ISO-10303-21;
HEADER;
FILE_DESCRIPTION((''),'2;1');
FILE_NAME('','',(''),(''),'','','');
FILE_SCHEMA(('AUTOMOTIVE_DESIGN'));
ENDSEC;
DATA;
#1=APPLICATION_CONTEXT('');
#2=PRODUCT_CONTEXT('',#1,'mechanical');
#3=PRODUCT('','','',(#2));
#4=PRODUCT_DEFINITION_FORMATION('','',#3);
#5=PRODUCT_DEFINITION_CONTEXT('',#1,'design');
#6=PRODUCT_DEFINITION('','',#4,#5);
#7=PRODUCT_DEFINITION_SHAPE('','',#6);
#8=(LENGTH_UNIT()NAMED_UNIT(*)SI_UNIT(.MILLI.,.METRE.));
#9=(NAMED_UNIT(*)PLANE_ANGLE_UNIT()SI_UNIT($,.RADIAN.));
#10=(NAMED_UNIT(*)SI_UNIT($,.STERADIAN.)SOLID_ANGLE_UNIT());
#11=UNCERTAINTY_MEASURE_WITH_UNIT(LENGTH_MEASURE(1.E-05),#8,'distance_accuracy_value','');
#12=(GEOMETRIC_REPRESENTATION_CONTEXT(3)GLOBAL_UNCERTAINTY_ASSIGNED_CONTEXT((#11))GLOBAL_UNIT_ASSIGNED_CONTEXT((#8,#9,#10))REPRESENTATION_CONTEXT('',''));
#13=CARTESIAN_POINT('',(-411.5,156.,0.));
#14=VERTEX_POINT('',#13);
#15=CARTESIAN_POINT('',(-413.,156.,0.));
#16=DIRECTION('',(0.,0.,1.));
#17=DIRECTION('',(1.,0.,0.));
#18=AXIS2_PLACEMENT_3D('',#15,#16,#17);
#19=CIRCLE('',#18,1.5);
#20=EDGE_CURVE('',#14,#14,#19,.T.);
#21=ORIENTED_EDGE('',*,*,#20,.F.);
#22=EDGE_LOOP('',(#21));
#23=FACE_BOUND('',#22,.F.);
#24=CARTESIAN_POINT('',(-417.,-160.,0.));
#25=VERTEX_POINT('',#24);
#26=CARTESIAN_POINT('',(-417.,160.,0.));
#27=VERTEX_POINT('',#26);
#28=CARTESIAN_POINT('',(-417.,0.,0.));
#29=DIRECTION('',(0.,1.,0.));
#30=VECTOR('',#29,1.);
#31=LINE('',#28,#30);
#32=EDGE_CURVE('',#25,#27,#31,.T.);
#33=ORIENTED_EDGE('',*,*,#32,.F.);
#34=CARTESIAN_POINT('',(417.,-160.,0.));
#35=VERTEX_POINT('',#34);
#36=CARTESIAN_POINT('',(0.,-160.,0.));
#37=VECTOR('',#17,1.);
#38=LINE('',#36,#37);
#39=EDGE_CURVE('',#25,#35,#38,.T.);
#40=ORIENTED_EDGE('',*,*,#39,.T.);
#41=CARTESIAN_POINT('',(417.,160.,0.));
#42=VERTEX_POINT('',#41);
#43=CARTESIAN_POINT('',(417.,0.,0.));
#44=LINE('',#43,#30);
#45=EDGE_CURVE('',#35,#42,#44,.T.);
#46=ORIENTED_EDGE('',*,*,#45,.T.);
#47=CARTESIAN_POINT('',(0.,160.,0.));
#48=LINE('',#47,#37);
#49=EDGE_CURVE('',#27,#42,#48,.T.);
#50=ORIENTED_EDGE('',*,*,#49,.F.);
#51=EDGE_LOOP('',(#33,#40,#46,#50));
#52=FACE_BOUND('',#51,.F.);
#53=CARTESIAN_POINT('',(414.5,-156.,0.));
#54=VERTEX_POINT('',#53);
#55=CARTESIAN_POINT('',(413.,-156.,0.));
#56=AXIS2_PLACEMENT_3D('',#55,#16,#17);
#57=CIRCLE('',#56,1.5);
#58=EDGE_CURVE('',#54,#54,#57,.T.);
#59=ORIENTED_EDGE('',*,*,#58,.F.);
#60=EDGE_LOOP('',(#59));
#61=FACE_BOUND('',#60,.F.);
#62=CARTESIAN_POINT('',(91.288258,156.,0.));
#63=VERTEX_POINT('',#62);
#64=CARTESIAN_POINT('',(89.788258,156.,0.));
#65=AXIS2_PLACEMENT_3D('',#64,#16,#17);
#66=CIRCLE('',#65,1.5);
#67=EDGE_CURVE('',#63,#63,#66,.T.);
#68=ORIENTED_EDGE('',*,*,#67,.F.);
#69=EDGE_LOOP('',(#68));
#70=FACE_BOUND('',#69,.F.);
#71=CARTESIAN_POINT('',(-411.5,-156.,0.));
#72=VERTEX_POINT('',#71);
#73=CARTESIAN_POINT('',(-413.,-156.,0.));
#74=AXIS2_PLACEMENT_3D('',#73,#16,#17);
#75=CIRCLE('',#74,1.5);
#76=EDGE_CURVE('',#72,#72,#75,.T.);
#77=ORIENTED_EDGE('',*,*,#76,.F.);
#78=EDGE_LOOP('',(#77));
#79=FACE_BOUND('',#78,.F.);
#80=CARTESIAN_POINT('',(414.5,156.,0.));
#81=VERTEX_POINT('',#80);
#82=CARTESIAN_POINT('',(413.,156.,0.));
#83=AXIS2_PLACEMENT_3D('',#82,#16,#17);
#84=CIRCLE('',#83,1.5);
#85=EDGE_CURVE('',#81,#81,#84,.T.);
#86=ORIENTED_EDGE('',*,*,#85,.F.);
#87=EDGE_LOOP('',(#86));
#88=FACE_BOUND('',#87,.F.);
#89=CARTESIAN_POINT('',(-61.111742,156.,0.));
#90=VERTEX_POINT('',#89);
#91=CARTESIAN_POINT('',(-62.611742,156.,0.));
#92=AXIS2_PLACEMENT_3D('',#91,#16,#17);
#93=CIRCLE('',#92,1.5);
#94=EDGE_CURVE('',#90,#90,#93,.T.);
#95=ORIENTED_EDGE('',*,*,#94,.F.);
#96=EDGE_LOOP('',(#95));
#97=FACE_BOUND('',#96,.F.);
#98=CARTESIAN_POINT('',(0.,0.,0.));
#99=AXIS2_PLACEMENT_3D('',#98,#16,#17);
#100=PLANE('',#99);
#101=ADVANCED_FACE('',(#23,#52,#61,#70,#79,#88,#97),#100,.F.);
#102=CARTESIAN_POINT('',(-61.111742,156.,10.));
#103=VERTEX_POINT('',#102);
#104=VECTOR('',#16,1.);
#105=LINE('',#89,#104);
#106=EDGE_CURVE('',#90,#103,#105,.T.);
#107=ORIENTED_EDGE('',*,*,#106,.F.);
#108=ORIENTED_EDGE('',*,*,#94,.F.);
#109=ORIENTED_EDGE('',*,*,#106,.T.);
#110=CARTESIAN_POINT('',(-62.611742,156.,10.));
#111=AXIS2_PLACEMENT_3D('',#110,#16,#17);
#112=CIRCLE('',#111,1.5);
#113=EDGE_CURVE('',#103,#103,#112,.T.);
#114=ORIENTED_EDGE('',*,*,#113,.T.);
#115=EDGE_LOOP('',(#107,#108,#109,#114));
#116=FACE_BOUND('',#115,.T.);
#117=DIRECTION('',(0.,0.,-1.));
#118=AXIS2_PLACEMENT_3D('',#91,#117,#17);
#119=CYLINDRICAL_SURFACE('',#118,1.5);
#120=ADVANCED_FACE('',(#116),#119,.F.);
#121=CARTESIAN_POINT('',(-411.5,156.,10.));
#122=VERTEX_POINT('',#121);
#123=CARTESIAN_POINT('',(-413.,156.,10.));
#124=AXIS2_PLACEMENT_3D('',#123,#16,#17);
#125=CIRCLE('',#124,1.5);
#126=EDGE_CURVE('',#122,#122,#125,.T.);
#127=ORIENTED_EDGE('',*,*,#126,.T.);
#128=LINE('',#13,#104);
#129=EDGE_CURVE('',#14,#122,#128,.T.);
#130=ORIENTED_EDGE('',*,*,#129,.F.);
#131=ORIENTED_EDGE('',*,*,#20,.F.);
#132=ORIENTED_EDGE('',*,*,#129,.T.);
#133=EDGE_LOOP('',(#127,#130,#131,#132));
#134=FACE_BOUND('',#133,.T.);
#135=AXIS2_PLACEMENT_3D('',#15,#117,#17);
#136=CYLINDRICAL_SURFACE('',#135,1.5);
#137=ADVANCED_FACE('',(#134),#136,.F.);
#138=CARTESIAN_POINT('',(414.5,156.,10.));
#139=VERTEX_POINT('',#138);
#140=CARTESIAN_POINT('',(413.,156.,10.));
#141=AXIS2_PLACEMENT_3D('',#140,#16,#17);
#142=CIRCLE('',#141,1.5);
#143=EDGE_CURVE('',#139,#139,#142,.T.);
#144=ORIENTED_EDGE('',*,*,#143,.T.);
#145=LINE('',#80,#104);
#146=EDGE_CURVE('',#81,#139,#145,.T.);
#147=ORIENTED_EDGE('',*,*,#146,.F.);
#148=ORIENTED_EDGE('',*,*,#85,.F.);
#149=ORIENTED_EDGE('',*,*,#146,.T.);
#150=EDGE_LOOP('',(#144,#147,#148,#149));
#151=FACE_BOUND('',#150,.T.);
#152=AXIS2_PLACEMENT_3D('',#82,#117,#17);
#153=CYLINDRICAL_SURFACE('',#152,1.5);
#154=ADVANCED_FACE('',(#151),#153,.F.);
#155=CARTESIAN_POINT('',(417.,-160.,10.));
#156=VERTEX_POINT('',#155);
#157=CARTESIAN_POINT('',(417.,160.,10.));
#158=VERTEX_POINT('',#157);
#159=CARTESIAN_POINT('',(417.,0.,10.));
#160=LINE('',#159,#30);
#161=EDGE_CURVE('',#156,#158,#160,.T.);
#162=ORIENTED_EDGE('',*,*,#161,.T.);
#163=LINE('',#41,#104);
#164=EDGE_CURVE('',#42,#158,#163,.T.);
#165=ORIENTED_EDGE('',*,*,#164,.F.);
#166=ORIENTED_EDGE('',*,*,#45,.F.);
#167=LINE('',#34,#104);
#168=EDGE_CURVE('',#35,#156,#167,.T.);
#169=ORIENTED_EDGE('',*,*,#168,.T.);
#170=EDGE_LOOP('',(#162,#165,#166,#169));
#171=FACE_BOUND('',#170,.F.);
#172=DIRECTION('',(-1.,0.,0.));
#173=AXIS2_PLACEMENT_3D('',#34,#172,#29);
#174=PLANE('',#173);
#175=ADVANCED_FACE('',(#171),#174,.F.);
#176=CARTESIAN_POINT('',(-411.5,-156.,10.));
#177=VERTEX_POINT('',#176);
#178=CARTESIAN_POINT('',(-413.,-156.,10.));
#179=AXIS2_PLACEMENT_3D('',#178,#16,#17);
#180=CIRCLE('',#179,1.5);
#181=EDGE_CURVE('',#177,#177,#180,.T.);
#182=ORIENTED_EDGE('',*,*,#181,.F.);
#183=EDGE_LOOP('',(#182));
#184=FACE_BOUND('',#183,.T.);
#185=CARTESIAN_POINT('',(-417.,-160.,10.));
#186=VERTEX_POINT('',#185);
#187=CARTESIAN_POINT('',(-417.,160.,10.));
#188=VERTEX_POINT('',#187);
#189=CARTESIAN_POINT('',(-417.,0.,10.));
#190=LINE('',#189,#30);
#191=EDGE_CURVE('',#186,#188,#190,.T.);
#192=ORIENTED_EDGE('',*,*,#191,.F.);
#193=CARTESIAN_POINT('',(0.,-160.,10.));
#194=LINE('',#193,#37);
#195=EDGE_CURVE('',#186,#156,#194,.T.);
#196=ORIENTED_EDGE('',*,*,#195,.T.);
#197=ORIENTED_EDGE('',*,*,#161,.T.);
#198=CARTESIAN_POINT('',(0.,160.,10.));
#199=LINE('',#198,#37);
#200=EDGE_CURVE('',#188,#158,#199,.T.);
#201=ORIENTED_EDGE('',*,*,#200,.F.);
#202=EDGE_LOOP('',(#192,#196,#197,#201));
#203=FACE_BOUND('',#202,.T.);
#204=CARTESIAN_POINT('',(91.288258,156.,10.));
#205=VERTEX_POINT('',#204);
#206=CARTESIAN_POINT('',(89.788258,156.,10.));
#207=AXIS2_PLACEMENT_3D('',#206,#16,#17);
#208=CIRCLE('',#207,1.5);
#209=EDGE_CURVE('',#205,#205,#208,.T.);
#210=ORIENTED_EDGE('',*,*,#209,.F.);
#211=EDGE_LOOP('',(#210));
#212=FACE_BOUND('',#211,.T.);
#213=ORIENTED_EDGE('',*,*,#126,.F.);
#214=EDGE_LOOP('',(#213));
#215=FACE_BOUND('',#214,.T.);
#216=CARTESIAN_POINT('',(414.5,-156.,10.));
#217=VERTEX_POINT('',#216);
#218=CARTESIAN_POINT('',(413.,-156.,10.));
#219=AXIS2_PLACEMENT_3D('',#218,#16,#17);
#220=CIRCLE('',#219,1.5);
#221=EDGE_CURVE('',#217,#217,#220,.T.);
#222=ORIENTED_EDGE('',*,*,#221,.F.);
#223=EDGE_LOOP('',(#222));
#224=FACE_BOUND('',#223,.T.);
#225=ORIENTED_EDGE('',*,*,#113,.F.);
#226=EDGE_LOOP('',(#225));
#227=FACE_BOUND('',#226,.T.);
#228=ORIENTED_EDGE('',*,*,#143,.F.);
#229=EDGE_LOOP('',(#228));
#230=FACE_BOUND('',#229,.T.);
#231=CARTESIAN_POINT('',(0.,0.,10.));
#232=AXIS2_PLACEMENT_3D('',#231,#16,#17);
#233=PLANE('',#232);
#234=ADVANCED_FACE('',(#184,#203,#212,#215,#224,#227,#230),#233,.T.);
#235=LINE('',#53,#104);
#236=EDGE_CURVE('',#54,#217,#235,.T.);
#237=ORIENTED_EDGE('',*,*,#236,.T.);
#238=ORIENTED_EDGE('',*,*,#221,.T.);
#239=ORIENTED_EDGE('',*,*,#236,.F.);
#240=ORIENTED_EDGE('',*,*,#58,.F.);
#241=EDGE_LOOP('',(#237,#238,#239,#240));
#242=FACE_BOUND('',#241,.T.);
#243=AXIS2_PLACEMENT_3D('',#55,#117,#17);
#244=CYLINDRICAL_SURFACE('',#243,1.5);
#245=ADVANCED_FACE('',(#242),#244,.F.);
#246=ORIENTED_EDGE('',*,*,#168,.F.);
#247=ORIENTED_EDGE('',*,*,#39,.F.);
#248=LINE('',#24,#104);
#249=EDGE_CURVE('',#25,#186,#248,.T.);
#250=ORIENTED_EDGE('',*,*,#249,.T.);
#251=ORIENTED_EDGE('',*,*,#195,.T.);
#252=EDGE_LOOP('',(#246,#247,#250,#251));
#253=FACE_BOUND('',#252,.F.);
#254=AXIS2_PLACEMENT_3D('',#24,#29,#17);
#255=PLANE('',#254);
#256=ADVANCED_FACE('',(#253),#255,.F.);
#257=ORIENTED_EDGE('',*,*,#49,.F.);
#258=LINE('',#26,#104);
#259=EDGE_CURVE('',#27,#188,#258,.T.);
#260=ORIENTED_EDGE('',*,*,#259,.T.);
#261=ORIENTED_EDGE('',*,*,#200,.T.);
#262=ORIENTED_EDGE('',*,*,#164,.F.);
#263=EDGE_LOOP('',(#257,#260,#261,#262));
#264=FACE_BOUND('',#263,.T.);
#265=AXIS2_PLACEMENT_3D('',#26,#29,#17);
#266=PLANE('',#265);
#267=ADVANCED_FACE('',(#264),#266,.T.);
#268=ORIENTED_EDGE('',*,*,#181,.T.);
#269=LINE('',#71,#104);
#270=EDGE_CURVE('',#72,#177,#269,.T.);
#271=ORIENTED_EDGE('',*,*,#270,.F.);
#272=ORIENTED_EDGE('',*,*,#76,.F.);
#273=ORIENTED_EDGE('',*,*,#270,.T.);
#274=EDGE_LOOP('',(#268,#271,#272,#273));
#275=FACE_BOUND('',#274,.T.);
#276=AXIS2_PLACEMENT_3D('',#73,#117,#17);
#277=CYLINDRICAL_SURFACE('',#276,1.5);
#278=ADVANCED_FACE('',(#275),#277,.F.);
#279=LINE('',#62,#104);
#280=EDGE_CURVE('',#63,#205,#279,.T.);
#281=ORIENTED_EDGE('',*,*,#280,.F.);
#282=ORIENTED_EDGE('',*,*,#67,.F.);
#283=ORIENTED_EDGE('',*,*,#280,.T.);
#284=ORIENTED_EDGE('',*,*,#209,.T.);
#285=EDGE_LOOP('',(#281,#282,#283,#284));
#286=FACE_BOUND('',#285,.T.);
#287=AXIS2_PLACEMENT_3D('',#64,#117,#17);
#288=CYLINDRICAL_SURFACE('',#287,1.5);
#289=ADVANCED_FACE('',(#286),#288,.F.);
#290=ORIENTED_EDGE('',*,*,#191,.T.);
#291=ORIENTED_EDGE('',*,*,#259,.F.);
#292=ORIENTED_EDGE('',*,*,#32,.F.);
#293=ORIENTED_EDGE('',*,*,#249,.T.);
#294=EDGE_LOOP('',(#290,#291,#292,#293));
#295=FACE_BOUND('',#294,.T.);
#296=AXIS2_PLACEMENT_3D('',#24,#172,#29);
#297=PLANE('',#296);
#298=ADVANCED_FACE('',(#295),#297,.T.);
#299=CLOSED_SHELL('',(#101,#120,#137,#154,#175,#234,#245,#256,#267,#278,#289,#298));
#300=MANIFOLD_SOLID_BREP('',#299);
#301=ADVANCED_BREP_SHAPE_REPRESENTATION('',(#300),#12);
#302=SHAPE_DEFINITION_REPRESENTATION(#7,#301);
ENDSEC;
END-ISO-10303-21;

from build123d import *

# Parameters (mm, degrees)
SKETCH_W  = 834
SKETCH_H  = 320
SKETCH_R  = 1.5
PAD_DEPTH = 10


with BuildPart() as part:
    # Sketch → Pad (new body)
    with BuildSketch(Plane.XY):
        Rectangle(SKETCH_W, SKETCH_H)
        with Locations((-413, -156)):
            Circle(SKETCH_R, mode=Mode.SUBTRACT)
        with Locations((-413, 156)):
            Circle(SKETCH_R, mode=Mode.SUBTRACT)
        with Locations((413, -156)):
            Circle(SKETCH_R, mode=Mode.SUBTRACT)
        with Locations((413, 156)):
            Circle(SKETCH_R, mode=Mode.SUBTRACT)
        with Locations((-62.611742, 156)):
            Circle(SKETCH_R, mode=Mode.SUBTRACT)
        with Locations((89.788258, 156)):
            Circle(SKETCH_R, mode=Mode.SUBTRACT)
    extrude(amount=PAD_DEPTH)


solid = part.part
